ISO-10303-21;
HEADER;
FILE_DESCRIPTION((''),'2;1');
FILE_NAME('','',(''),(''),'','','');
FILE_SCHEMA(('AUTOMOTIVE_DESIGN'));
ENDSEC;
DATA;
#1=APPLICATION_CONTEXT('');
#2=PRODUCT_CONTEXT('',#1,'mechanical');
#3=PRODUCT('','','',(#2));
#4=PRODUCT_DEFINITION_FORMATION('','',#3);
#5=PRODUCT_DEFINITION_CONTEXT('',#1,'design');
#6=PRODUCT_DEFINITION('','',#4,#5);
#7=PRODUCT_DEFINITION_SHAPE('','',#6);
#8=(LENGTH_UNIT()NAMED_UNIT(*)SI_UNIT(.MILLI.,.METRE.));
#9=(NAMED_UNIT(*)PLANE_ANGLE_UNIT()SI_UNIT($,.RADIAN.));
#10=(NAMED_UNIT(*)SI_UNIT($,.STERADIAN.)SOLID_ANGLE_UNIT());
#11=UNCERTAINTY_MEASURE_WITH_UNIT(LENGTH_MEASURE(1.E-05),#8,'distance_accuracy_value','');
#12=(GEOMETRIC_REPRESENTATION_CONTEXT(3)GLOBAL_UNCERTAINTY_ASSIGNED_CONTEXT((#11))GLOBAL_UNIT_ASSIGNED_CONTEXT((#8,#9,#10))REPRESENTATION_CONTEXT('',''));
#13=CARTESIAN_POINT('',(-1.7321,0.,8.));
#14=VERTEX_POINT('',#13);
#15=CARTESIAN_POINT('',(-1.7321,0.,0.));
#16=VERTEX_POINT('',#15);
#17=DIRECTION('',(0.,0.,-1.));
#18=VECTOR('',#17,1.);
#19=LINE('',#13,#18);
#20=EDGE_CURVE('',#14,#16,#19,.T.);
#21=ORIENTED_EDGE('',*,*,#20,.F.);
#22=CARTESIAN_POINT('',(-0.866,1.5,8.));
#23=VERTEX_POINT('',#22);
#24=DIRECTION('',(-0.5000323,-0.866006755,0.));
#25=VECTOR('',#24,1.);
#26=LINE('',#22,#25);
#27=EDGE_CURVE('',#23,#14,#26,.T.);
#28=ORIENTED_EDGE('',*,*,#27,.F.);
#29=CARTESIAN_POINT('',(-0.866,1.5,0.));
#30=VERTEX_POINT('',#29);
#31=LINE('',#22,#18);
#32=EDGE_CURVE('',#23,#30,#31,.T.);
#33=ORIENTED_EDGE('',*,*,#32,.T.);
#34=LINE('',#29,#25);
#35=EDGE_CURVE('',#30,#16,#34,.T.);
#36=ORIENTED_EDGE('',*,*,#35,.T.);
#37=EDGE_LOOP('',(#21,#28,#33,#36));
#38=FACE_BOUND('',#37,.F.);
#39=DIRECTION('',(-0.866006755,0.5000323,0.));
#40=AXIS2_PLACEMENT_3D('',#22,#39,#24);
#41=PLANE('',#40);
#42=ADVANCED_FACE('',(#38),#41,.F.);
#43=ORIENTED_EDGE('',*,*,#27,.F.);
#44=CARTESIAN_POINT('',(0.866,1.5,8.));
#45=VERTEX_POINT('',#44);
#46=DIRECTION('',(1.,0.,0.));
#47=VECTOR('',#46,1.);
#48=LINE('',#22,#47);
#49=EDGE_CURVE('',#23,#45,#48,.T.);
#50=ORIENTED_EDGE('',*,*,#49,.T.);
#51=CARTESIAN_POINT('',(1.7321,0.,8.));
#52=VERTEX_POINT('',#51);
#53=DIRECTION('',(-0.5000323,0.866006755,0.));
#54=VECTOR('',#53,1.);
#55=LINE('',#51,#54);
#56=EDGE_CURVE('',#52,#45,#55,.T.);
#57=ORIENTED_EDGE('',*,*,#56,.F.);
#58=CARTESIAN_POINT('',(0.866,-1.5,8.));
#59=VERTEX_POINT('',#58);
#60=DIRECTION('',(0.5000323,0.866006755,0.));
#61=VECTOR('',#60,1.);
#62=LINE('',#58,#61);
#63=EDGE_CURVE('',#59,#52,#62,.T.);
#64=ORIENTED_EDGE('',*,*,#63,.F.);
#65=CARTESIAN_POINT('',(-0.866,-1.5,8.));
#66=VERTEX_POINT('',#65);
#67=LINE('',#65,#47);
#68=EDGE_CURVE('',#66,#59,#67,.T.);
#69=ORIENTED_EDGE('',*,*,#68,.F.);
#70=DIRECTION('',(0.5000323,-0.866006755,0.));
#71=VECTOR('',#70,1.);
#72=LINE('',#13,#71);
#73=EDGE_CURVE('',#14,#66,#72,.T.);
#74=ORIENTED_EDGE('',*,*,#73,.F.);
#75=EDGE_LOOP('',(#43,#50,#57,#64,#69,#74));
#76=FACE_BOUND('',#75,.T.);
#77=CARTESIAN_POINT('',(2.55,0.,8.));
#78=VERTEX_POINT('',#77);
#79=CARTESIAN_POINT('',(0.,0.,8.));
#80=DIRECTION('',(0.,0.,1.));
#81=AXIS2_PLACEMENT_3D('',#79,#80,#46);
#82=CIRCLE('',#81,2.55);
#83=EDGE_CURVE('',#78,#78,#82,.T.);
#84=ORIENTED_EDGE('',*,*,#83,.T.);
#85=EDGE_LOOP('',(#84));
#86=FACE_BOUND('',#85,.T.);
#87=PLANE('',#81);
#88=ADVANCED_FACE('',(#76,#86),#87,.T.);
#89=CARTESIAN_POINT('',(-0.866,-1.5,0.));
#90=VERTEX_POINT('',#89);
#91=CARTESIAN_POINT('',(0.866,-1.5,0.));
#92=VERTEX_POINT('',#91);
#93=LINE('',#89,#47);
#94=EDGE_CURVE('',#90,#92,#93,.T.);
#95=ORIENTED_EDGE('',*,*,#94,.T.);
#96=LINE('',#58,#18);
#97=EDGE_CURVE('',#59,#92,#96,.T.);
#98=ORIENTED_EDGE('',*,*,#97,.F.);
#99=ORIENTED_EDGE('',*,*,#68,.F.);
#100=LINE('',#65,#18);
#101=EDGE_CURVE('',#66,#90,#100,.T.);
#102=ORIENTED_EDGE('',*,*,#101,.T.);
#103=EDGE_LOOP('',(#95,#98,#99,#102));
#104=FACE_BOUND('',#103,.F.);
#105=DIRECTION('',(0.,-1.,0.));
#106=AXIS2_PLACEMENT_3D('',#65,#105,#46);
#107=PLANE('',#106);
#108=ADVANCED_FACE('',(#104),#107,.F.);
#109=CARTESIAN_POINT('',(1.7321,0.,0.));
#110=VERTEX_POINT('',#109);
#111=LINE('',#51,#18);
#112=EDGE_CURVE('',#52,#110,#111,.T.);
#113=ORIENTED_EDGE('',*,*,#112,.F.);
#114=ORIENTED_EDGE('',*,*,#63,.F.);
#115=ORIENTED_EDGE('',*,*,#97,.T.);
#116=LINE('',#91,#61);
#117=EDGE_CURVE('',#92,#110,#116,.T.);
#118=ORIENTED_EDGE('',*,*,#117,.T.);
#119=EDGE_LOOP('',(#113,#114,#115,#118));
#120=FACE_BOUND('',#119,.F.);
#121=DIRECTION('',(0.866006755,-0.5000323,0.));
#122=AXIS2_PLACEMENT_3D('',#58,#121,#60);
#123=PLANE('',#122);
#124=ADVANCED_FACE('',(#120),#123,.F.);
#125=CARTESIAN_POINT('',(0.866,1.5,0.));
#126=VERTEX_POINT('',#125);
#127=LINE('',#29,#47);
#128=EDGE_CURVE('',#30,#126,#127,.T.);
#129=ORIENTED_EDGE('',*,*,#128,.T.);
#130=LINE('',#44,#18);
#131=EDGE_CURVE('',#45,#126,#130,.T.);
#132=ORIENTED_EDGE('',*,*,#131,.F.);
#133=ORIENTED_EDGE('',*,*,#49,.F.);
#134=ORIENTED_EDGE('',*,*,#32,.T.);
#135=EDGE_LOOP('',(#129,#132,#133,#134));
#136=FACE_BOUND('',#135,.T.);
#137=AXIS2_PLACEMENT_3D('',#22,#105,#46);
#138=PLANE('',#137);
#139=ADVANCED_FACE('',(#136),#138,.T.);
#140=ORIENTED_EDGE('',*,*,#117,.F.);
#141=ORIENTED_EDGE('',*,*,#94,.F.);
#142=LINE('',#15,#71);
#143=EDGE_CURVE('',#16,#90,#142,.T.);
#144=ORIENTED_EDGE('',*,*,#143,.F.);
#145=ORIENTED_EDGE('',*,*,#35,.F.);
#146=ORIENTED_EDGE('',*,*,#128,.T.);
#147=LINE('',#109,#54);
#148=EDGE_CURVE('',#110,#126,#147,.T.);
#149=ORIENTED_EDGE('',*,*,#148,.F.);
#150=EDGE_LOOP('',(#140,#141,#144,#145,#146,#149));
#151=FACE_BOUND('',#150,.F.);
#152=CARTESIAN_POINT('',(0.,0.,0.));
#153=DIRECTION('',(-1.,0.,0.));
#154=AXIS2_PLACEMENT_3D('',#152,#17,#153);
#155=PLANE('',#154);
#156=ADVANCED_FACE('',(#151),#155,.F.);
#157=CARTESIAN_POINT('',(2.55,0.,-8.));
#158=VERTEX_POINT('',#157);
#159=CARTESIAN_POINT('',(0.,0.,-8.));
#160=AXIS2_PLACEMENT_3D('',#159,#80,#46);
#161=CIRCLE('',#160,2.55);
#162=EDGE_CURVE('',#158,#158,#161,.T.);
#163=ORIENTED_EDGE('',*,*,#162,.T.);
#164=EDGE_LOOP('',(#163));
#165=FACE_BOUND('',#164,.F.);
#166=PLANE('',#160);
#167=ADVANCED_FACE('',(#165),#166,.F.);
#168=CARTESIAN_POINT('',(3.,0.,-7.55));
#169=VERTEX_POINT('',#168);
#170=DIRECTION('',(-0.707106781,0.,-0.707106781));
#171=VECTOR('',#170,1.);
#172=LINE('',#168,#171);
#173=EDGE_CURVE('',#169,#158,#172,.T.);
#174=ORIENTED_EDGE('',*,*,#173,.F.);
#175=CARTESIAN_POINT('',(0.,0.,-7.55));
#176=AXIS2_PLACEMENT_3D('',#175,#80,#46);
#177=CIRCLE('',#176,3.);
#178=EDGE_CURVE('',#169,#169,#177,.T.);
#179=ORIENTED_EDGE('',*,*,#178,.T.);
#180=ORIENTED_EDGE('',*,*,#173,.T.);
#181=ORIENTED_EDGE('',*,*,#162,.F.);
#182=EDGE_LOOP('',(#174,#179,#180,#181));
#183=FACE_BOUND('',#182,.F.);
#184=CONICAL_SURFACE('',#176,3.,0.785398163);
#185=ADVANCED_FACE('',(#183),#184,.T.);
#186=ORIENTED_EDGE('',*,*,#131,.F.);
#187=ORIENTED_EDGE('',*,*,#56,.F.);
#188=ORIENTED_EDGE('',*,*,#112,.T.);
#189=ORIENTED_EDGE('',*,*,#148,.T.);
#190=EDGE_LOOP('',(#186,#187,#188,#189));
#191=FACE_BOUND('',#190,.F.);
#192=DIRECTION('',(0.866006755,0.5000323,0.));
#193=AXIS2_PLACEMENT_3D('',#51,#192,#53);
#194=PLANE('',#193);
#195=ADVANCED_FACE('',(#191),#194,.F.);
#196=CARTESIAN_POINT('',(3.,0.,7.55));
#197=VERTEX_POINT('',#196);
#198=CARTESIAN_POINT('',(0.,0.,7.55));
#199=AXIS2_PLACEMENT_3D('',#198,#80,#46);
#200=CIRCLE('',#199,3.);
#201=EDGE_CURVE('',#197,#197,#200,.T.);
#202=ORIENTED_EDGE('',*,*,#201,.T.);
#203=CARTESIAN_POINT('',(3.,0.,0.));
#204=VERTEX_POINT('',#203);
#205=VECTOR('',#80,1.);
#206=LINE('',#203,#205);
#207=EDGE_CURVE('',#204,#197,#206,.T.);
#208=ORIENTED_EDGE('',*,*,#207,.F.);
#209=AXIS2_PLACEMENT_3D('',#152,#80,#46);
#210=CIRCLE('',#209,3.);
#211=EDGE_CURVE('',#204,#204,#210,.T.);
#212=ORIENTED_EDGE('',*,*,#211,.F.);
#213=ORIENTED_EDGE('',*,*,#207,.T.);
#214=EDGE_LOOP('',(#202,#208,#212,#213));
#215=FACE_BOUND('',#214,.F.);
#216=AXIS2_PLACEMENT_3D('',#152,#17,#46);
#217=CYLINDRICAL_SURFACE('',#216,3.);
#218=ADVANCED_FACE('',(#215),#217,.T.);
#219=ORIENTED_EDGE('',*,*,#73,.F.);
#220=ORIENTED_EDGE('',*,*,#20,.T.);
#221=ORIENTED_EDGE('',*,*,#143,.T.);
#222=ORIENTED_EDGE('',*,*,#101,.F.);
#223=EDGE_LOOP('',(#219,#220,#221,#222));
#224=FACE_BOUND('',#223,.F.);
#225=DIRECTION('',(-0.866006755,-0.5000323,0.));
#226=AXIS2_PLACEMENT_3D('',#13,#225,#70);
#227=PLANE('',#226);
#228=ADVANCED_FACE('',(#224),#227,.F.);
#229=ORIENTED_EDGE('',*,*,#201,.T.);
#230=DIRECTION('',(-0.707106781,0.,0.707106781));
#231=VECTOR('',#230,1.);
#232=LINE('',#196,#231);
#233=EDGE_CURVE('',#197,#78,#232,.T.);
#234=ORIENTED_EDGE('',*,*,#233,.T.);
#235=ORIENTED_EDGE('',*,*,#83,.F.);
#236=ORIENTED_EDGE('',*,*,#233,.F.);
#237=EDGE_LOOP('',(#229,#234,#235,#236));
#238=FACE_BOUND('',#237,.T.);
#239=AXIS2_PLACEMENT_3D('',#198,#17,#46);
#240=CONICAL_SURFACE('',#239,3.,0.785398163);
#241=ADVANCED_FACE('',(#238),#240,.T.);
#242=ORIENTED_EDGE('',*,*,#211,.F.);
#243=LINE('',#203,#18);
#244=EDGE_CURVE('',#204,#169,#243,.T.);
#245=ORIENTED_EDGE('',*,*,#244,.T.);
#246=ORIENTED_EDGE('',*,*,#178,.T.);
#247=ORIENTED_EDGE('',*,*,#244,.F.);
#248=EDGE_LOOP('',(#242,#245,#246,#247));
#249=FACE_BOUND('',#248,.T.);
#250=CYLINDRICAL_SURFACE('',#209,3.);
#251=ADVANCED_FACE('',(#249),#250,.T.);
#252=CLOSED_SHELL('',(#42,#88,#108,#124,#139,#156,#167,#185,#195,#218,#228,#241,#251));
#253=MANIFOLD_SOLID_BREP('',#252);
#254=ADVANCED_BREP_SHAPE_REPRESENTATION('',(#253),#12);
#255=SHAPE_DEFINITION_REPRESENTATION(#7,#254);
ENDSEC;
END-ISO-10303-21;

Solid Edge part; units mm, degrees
sketch "Sketch1" plane through (0, 0, 0) normal (0, 0, 1) x (1, 0, 0)
  circle A0 centre (0, 0) radius 3
  dimension "D1" = 6
extrude "Protrusion1" add sketch "Sketch1" along normal mid plane 16
chamfer "Chamfer1" distance 0.45 angle 45 2 edges at (-3, 0, -8) (-3, 0, 8)
sketch "Sketch2" plane through (0, 0, 8) normal (0, 0, 1) x (1, 0, 0)
  line L0 (-0.866, 1.5) -> (0.866, 1.5)
  line L1 (1.7321, 0) -> (0.866, 1.5)
  line L2 (0.866, -1.5) -> (1.7321, 0)
  line L3 (-0.866, -1.5) -> (0.866, -1.5)
  line L4 (-1.7321, 0) -> (-0.866, -1.5)
  line L5 (-0.866, 1.5) -> (-1.7321, 0)
  dimension "D1" = 3
extrude "Cutout1" cut sketch "Sketch2" against normal blind 8
properties part number "24104725"
